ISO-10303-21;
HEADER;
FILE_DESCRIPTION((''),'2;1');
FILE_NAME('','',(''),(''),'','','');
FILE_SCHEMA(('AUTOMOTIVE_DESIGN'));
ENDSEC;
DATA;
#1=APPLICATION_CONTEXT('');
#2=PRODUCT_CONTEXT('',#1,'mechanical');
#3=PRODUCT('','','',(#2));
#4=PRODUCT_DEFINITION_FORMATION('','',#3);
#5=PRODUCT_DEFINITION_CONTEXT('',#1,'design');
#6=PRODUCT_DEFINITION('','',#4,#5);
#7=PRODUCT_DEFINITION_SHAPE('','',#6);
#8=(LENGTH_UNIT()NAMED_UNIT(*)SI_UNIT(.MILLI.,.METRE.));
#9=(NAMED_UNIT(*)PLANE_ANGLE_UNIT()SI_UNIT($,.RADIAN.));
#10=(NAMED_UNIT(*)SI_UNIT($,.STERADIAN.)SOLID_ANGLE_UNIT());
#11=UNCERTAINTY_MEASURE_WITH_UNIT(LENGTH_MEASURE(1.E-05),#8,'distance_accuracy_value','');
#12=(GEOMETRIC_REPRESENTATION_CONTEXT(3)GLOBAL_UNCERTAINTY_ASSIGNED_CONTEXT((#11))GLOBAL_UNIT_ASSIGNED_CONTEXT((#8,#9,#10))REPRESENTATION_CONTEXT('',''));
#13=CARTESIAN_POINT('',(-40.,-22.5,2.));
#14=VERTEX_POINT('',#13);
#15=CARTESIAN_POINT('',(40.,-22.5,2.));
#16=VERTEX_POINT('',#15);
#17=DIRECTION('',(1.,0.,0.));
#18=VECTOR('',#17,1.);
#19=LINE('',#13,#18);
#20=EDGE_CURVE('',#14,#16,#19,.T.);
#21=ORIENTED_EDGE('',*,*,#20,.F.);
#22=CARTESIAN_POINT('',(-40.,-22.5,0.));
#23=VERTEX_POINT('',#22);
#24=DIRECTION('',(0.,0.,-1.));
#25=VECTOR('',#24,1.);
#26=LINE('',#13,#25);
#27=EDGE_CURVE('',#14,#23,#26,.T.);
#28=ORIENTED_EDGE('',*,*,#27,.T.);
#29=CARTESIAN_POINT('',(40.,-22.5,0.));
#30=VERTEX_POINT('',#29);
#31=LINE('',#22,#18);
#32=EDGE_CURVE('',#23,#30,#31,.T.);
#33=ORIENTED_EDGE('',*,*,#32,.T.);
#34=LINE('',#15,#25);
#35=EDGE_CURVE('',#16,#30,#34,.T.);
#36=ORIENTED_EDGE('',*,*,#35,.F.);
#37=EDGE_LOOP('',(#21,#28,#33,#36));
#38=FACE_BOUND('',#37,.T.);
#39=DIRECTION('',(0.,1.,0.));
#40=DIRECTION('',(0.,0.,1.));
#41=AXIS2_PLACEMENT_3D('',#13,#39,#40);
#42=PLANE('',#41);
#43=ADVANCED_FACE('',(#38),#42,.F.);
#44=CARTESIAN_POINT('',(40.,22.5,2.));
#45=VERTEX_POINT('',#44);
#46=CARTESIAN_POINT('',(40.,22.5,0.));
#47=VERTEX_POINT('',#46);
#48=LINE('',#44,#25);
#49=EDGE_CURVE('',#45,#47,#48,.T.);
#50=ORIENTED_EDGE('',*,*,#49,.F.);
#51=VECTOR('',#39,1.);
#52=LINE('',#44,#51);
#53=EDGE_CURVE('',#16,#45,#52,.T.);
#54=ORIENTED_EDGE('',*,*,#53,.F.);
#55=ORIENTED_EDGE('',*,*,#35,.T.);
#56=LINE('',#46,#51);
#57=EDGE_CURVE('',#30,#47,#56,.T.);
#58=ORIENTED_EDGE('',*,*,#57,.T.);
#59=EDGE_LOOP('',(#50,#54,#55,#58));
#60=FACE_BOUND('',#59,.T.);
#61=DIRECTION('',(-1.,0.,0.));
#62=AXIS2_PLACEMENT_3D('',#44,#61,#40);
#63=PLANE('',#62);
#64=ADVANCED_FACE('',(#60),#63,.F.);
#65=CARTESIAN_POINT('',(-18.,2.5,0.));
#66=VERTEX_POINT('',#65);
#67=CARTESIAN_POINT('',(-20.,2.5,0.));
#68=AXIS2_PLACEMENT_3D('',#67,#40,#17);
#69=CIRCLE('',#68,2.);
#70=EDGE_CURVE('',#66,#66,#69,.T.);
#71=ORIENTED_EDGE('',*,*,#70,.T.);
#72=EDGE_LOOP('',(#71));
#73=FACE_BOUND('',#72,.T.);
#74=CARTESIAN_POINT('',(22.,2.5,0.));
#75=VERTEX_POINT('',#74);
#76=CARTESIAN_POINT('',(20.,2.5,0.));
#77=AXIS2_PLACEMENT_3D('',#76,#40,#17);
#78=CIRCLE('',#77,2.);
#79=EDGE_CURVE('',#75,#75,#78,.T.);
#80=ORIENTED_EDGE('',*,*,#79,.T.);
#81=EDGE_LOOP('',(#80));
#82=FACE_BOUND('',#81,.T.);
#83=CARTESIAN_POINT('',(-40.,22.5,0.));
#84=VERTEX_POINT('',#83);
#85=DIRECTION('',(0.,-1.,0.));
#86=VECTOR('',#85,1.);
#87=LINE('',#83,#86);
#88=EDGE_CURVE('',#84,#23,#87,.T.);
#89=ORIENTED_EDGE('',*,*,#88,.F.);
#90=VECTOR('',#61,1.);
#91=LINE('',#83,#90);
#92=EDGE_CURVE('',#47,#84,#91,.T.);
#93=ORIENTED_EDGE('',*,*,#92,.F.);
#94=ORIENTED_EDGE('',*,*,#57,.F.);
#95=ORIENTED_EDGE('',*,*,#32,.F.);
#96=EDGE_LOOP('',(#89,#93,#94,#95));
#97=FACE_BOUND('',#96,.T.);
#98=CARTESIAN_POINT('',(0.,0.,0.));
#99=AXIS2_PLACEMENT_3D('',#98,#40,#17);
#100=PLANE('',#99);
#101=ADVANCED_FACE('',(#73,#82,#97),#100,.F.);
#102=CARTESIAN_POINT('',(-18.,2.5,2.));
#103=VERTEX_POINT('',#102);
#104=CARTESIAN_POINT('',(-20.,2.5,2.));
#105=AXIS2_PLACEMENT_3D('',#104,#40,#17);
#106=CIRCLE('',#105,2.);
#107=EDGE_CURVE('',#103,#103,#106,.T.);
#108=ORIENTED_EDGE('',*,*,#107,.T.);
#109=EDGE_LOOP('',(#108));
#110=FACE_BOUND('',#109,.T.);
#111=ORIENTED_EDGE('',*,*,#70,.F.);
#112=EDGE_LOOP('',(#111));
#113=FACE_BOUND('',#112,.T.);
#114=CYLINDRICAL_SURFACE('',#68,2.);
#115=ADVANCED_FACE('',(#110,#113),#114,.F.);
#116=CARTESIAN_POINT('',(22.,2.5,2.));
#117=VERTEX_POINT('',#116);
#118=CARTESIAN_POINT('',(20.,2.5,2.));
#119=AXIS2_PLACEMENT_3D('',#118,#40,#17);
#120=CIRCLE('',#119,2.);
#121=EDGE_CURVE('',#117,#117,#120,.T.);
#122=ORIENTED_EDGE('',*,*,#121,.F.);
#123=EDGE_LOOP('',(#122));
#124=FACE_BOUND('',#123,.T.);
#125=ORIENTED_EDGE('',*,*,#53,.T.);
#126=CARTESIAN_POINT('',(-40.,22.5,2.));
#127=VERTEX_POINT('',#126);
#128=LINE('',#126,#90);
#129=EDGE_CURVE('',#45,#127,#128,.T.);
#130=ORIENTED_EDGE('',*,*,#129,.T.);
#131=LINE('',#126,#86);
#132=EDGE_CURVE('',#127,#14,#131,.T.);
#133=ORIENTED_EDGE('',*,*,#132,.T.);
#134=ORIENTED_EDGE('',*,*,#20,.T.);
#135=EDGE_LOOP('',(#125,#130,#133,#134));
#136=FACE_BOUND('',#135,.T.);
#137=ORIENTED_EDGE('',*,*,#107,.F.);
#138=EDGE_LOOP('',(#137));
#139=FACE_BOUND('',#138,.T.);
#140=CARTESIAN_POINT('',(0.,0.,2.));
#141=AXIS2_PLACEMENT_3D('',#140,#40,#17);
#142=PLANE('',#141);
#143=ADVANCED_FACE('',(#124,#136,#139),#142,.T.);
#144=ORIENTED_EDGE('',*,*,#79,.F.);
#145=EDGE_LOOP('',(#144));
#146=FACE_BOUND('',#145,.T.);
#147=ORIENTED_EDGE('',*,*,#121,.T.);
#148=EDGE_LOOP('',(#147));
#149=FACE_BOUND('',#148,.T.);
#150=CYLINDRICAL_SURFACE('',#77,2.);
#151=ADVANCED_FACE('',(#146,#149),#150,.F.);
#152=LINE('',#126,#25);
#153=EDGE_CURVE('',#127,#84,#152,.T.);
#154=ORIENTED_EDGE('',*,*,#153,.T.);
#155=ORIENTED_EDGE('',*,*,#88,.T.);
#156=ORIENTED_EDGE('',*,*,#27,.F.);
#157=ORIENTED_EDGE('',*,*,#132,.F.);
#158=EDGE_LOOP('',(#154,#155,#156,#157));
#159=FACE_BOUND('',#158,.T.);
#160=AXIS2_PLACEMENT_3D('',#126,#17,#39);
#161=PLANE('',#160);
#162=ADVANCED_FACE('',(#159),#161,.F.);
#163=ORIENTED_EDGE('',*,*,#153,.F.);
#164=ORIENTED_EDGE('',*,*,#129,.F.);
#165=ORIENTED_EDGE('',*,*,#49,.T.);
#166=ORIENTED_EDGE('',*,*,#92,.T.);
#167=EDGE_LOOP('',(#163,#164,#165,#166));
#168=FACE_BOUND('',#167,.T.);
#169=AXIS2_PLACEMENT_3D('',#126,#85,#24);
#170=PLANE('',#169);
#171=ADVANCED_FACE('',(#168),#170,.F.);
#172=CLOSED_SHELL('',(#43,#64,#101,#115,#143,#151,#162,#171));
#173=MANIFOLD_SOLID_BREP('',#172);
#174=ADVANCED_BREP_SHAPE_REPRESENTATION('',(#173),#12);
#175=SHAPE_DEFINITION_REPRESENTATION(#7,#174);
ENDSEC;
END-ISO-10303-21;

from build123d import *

# Parameters (mm, degrees)
SKETCH1_W           = 80
SKETCH1_H           = 45
BOSS_EXTRUDE1_DEPTH = 2
SKETCH2_R           = 2
CUT_EXTRUDE1_DEPTH  = 2


with BuildPart() as part:
    # Sketch1 → Boss-Extrude1 (new body)
    with BuildSketch(Plane.XY):
        Rectangle(SKETCH1_W, SKETCH1_H)
    extrude(amount=BOSS_EXTRUDE1_DEPTH)

    # Sketch2 → Cut-Extrude1 (cut)
    with BuildSketch(Plane.XY.offset(2)):
        with Locations((-20, 2.5)):
            Circle(SKETCH2_R)
        with Locations((20, 2.5)):
            Circle(SKETCH2_R)
    extrude(amount=-CUT_EXTRUDE1_DEPTH, mode=Mode.SUBTRACT)


solid = part.part
